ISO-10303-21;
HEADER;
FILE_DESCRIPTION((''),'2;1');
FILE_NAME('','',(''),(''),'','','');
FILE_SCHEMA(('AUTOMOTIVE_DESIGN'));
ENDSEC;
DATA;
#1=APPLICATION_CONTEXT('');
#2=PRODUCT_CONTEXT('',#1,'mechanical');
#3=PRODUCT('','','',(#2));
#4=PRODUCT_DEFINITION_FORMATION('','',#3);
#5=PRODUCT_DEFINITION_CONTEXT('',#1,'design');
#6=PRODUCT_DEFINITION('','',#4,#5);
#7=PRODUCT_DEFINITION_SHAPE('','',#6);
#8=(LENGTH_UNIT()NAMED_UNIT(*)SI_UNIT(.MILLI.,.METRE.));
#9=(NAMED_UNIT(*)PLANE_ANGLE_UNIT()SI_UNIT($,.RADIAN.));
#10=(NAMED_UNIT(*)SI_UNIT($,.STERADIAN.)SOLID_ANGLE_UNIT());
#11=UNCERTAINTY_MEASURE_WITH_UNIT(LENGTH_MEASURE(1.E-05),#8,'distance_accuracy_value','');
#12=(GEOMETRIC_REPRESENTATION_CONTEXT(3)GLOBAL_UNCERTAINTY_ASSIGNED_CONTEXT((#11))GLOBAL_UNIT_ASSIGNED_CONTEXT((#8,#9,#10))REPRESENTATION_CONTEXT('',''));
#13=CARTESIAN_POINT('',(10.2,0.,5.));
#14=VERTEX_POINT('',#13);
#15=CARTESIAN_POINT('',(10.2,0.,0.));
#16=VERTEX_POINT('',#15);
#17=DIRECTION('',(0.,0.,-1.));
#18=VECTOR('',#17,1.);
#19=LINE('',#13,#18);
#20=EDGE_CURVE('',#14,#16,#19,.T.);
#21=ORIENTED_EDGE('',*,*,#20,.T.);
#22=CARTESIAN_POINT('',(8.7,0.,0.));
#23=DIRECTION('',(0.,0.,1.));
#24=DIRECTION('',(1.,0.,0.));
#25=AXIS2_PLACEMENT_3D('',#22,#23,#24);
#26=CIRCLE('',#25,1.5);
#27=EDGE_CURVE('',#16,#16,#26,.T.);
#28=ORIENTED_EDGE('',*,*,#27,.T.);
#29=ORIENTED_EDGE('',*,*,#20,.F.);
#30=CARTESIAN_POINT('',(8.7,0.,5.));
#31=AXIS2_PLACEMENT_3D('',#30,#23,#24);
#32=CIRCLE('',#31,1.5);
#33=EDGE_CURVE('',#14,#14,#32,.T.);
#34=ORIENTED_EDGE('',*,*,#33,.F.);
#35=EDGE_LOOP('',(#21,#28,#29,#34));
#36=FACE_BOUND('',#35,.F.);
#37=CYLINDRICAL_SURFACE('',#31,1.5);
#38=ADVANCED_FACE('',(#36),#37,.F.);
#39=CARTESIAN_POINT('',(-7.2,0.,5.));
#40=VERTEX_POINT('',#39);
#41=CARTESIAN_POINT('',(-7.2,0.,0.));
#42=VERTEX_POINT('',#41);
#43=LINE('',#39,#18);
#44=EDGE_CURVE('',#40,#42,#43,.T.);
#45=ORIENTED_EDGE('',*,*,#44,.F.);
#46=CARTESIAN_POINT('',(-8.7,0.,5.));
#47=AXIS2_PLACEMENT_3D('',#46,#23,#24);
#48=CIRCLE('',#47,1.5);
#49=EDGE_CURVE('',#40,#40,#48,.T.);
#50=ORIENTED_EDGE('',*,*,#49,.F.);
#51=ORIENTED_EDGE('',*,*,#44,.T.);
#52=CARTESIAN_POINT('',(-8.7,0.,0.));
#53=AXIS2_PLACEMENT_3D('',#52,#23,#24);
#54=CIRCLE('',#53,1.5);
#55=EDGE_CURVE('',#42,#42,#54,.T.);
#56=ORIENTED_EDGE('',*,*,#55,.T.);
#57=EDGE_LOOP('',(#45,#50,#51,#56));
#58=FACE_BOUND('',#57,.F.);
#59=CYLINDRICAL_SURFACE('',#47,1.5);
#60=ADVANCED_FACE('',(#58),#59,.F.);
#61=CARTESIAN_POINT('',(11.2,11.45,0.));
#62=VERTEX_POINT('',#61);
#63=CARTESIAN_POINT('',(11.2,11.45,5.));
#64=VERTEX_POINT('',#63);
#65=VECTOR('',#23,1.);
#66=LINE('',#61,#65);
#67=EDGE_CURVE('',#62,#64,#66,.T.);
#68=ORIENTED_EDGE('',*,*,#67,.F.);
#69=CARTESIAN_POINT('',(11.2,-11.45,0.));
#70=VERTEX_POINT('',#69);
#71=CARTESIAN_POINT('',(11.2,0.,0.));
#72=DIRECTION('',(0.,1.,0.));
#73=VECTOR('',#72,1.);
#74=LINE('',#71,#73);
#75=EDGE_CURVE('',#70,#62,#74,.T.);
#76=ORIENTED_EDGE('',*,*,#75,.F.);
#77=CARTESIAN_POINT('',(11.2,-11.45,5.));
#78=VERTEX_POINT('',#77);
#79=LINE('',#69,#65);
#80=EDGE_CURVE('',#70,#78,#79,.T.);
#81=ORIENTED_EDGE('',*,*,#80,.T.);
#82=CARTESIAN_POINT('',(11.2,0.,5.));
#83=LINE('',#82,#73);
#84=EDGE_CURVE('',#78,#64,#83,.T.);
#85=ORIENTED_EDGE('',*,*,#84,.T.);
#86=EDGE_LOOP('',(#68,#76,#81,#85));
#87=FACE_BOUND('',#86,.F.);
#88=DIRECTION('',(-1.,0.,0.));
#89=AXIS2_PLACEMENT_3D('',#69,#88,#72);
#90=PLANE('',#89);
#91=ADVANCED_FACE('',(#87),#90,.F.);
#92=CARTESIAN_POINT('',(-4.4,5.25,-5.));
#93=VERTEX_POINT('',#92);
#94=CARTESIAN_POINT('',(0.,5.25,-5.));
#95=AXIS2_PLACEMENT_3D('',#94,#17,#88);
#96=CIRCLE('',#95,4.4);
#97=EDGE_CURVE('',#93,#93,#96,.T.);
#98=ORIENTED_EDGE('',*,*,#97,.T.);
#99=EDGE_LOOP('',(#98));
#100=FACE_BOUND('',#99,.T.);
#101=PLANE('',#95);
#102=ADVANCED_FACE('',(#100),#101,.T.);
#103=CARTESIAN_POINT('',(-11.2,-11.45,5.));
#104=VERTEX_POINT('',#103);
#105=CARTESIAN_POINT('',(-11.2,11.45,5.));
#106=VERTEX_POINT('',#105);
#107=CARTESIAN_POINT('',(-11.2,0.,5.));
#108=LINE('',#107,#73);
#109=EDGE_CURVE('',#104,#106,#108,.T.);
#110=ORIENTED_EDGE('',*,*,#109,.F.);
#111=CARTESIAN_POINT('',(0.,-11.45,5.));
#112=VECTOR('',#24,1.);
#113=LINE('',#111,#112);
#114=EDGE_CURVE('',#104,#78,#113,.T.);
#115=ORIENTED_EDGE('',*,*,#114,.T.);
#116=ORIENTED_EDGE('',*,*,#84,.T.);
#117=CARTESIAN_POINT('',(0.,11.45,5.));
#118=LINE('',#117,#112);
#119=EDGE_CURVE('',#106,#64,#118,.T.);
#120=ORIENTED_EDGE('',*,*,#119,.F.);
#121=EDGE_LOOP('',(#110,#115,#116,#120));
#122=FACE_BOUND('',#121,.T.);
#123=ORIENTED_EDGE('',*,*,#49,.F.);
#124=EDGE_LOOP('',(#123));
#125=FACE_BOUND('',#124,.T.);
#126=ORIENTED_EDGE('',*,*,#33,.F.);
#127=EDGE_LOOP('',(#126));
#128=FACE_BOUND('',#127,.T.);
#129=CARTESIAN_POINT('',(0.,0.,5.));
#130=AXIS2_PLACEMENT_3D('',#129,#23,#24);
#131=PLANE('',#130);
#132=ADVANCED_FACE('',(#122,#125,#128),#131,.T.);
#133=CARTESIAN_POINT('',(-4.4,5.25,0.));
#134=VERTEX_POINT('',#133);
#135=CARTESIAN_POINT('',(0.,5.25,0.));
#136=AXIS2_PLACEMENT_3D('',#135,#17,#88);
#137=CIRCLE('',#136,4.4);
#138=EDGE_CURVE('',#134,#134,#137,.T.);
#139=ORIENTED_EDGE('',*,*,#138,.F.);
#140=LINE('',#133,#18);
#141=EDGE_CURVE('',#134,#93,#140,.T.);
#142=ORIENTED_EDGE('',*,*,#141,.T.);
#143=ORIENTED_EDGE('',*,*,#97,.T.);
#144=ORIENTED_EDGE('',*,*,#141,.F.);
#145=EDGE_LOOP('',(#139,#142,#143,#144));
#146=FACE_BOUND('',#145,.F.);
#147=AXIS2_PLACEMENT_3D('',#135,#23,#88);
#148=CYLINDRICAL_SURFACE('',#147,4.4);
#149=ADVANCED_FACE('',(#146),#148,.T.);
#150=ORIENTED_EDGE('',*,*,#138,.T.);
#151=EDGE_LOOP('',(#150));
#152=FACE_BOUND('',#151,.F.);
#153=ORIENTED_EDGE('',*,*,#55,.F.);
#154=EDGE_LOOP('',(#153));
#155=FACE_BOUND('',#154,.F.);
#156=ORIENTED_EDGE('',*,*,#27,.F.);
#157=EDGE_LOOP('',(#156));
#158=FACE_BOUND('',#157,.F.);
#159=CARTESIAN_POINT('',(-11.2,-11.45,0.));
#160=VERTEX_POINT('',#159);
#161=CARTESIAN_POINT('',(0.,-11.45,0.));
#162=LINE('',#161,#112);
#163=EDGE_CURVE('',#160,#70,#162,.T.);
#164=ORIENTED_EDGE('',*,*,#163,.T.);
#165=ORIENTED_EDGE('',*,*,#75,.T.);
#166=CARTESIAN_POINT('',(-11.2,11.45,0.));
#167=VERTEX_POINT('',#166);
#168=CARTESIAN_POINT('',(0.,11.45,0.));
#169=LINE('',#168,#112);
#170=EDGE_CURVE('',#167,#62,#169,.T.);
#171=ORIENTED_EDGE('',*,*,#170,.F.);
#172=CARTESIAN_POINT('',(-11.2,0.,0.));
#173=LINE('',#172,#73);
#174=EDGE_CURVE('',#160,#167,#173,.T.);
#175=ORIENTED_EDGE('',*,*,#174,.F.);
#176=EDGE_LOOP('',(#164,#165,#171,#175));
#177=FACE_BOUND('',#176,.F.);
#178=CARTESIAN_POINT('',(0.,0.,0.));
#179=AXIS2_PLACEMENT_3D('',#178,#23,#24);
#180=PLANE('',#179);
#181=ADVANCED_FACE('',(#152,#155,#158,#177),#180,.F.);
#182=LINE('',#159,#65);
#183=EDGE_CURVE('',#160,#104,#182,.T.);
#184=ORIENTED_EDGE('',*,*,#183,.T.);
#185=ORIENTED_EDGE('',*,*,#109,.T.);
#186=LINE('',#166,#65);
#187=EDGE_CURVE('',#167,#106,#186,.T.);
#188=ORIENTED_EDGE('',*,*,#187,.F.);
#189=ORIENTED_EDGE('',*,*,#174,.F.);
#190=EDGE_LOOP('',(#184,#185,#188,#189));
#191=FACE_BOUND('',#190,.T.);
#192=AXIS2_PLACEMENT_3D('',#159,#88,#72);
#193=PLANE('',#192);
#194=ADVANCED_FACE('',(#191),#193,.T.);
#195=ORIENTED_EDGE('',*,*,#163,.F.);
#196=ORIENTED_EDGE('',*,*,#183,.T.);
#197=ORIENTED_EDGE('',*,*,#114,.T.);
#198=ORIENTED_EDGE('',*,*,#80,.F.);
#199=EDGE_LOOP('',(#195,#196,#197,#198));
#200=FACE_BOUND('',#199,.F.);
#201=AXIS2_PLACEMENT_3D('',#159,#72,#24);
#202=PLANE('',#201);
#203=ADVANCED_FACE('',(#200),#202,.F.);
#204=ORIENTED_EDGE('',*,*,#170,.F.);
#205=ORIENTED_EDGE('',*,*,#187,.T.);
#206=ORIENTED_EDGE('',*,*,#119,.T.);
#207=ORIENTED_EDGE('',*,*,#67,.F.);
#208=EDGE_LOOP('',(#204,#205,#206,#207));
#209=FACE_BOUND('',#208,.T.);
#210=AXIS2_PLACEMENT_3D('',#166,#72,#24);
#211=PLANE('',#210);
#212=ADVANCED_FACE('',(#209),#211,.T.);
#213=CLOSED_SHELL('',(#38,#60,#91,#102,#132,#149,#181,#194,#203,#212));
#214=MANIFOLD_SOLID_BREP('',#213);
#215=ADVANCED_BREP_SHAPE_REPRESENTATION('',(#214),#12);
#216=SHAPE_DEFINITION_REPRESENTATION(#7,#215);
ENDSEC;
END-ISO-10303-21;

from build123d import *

# Parameters (mm, degrees)
SKETCH1_W           = 22.4
SKETCH1_H           = 22.9
BOSS_EXTRUDE1_DEPTH = 5
SKETCH2_R           = 1.5
CUT_EXTRUDE1_DEPTH  = 5
SKETCH4_R           = 4.4
BOSS_EXTRUDE3_DEPTH = 5


with BuildPart() as part:
    # Sketch1 → Boss-Extrude1 (new body)
    with BuildSketch(Plane.XY):
        Rectangle(SKETCH1_W, SKETCH1_H)
    extrude(amount=BOSS_EXTRUDE1_DEPTH)

    # Sketch2 → Cut-Extrude1 (cut)
    with BuildSketch(Plane.XY.offset(5)):
        with Locations((-8.7, 0)):
            Circle(SKETCH2_R)
        with Locations((8.7, 0)):
            Circle(SKETCH2_R)
    extrude(amount=-CUT_EXTRUDE1_DEPTH, mode=Mode.SUBTRACT)

    # Sketch4 → Boss-Extrude3 (add)
    with BuildSketch(Plane(origin=(0, 0, 0), x_dir=(-1, 0, 0), z_dir=(0, 0, -1))):
        with Locations((0, 5.25)):
            Circle(SKETCH4_R)
    extrude(amount=BOSS_EXTRUDE3_DEPTH)


solid = part.part
